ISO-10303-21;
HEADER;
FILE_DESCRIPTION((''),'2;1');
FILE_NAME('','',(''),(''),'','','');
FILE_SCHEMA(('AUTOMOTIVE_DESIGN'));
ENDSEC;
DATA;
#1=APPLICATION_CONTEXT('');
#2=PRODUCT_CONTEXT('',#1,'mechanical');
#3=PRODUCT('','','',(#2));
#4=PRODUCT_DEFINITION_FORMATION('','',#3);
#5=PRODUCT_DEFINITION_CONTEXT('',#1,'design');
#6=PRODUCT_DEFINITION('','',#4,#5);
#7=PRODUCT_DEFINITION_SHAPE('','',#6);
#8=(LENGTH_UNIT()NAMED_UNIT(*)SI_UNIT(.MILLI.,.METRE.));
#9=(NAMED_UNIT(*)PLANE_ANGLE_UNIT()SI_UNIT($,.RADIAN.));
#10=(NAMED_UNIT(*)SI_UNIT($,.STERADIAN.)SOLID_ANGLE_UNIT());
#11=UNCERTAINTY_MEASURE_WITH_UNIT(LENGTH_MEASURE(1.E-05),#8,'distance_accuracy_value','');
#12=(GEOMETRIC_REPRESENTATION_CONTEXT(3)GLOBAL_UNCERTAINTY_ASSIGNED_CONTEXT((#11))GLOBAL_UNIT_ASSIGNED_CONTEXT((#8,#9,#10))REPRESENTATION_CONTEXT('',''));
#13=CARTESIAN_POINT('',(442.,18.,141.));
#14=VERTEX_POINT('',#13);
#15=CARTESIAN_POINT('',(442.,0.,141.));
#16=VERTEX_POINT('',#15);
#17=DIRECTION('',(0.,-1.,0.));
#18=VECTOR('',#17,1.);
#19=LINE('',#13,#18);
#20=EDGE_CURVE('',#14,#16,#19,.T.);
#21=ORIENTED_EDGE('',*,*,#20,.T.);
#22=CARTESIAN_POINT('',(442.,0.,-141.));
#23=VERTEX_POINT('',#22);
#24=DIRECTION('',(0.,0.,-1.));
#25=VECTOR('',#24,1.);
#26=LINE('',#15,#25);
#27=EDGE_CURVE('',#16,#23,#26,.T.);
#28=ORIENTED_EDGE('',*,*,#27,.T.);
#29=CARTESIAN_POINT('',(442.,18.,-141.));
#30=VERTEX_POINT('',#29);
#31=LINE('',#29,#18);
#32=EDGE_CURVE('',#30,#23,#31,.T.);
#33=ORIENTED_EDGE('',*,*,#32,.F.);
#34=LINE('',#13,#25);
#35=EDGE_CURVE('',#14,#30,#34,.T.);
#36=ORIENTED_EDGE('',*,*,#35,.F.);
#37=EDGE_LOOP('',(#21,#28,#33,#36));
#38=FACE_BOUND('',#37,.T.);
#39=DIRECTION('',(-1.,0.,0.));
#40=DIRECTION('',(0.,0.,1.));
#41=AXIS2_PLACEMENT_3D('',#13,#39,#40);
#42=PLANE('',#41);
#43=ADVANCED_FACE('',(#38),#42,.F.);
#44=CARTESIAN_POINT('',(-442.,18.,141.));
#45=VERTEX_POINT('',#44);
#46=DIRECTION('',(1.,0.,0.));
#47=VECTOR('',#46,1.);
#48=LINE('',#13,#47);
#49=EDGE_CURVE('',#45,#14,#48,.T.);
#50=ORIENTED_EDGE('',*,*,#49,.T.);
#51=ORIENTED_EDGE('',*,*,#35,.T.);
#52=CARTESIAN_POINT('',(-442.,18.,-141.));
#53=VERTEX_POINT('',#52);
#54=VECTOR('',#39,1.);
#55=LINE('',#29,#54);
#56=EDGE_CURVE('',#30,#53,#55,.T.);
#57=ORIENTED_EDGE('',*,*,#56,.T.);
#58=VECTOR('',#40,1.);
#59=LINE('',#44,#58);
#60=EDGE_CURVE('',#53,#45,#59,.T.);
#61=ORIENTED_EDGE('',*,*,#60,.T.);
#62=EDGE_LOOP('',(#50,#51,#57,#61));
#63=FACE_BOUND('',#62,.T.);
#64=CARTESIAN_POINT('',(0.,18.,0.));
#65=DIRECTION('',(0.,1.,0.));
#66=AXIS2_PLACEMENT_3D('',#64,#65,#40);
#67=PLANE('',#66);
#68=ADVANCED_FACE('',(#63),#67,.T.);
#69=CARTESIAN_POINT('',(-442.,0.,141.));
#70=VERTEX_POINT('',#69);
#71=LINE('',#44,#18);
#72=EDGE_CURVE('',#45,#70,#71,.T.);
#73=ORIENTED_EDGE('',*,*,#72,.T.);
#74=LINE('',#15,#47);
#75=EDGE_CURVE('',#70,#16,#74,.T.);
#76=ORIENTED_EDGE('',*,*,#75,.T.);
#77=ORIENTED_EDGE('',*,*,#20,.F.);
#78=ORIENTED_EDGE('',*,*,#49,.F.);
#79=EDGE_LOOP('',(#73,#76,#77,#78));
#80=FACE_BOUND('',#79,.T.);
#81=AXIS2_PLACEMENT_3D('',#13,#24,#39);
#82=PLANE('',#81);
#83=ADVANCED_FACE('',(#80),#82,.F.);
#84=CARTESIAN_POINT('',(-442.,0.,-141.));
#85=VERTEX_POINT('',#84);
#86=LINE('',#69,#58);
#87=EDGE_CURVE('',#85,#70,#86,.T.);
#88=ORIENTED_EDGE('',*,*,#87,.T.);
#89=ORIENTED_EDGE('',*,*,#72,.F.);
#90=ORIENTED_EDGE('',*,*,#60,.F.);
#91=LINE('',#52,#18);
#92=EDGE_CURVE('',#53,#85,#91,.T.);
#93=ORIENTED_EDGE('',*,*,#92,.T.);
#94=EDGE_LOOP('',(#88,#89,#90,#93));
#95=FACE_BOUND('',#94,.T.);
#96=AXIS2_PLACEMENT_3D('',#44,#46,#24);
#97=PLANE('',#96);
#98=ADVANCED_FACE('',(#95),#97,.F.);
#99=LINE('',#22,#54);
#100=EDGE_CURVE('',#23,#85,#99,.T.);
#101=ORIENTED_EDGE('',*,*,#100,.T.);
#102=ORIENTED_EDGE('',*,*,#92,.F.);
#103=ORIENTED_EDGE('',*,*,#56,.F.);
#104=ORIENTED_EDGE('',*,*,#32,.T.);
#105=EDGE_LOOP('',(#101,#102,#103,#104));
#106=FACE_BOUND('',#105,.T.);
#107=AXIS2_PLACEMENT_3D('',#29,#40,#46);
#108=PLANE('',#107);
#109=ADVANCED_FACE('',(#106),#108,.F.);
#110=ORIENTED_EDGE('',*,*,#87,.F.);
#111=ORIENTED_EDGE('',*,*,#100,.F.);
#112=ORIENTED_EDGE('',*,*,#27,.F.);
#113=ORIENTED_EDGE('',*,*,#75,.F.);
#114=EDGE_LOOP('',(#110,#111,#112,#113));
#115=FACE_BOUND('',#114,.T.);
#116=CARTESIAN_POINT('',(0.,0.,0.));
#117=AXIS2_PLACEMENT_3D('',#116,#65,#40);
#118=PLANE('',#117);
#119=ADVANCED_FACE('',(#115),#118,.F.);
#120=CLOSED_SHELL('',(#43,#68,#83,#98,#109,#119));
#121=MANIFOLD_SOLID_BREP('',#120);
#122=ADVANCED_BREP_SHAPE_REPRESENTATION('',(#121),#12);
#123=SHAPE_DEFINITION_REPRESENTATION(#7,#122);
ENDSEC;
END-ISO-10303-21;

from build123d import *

# Parameters (mm, degrees)
SKETCH_1_W      = 884
SKETCH_1_H      = 282
EXTRUDE_1_DEPTH = 18


with BuildPart() as part:
    # Эскиз1 → Бобышка-Вытянуть1 (new body)
    with BuildSketch(Plane(origin=(0, 0, 0), x_dir=(1, 0, 0), z_dir=(0, 1, 0))):
        Rectangle(SKETCH_1_W, SKETCH_1_H)
    extrude(amount=EXTRUDE_1_DEPTH)


solid = part.part
